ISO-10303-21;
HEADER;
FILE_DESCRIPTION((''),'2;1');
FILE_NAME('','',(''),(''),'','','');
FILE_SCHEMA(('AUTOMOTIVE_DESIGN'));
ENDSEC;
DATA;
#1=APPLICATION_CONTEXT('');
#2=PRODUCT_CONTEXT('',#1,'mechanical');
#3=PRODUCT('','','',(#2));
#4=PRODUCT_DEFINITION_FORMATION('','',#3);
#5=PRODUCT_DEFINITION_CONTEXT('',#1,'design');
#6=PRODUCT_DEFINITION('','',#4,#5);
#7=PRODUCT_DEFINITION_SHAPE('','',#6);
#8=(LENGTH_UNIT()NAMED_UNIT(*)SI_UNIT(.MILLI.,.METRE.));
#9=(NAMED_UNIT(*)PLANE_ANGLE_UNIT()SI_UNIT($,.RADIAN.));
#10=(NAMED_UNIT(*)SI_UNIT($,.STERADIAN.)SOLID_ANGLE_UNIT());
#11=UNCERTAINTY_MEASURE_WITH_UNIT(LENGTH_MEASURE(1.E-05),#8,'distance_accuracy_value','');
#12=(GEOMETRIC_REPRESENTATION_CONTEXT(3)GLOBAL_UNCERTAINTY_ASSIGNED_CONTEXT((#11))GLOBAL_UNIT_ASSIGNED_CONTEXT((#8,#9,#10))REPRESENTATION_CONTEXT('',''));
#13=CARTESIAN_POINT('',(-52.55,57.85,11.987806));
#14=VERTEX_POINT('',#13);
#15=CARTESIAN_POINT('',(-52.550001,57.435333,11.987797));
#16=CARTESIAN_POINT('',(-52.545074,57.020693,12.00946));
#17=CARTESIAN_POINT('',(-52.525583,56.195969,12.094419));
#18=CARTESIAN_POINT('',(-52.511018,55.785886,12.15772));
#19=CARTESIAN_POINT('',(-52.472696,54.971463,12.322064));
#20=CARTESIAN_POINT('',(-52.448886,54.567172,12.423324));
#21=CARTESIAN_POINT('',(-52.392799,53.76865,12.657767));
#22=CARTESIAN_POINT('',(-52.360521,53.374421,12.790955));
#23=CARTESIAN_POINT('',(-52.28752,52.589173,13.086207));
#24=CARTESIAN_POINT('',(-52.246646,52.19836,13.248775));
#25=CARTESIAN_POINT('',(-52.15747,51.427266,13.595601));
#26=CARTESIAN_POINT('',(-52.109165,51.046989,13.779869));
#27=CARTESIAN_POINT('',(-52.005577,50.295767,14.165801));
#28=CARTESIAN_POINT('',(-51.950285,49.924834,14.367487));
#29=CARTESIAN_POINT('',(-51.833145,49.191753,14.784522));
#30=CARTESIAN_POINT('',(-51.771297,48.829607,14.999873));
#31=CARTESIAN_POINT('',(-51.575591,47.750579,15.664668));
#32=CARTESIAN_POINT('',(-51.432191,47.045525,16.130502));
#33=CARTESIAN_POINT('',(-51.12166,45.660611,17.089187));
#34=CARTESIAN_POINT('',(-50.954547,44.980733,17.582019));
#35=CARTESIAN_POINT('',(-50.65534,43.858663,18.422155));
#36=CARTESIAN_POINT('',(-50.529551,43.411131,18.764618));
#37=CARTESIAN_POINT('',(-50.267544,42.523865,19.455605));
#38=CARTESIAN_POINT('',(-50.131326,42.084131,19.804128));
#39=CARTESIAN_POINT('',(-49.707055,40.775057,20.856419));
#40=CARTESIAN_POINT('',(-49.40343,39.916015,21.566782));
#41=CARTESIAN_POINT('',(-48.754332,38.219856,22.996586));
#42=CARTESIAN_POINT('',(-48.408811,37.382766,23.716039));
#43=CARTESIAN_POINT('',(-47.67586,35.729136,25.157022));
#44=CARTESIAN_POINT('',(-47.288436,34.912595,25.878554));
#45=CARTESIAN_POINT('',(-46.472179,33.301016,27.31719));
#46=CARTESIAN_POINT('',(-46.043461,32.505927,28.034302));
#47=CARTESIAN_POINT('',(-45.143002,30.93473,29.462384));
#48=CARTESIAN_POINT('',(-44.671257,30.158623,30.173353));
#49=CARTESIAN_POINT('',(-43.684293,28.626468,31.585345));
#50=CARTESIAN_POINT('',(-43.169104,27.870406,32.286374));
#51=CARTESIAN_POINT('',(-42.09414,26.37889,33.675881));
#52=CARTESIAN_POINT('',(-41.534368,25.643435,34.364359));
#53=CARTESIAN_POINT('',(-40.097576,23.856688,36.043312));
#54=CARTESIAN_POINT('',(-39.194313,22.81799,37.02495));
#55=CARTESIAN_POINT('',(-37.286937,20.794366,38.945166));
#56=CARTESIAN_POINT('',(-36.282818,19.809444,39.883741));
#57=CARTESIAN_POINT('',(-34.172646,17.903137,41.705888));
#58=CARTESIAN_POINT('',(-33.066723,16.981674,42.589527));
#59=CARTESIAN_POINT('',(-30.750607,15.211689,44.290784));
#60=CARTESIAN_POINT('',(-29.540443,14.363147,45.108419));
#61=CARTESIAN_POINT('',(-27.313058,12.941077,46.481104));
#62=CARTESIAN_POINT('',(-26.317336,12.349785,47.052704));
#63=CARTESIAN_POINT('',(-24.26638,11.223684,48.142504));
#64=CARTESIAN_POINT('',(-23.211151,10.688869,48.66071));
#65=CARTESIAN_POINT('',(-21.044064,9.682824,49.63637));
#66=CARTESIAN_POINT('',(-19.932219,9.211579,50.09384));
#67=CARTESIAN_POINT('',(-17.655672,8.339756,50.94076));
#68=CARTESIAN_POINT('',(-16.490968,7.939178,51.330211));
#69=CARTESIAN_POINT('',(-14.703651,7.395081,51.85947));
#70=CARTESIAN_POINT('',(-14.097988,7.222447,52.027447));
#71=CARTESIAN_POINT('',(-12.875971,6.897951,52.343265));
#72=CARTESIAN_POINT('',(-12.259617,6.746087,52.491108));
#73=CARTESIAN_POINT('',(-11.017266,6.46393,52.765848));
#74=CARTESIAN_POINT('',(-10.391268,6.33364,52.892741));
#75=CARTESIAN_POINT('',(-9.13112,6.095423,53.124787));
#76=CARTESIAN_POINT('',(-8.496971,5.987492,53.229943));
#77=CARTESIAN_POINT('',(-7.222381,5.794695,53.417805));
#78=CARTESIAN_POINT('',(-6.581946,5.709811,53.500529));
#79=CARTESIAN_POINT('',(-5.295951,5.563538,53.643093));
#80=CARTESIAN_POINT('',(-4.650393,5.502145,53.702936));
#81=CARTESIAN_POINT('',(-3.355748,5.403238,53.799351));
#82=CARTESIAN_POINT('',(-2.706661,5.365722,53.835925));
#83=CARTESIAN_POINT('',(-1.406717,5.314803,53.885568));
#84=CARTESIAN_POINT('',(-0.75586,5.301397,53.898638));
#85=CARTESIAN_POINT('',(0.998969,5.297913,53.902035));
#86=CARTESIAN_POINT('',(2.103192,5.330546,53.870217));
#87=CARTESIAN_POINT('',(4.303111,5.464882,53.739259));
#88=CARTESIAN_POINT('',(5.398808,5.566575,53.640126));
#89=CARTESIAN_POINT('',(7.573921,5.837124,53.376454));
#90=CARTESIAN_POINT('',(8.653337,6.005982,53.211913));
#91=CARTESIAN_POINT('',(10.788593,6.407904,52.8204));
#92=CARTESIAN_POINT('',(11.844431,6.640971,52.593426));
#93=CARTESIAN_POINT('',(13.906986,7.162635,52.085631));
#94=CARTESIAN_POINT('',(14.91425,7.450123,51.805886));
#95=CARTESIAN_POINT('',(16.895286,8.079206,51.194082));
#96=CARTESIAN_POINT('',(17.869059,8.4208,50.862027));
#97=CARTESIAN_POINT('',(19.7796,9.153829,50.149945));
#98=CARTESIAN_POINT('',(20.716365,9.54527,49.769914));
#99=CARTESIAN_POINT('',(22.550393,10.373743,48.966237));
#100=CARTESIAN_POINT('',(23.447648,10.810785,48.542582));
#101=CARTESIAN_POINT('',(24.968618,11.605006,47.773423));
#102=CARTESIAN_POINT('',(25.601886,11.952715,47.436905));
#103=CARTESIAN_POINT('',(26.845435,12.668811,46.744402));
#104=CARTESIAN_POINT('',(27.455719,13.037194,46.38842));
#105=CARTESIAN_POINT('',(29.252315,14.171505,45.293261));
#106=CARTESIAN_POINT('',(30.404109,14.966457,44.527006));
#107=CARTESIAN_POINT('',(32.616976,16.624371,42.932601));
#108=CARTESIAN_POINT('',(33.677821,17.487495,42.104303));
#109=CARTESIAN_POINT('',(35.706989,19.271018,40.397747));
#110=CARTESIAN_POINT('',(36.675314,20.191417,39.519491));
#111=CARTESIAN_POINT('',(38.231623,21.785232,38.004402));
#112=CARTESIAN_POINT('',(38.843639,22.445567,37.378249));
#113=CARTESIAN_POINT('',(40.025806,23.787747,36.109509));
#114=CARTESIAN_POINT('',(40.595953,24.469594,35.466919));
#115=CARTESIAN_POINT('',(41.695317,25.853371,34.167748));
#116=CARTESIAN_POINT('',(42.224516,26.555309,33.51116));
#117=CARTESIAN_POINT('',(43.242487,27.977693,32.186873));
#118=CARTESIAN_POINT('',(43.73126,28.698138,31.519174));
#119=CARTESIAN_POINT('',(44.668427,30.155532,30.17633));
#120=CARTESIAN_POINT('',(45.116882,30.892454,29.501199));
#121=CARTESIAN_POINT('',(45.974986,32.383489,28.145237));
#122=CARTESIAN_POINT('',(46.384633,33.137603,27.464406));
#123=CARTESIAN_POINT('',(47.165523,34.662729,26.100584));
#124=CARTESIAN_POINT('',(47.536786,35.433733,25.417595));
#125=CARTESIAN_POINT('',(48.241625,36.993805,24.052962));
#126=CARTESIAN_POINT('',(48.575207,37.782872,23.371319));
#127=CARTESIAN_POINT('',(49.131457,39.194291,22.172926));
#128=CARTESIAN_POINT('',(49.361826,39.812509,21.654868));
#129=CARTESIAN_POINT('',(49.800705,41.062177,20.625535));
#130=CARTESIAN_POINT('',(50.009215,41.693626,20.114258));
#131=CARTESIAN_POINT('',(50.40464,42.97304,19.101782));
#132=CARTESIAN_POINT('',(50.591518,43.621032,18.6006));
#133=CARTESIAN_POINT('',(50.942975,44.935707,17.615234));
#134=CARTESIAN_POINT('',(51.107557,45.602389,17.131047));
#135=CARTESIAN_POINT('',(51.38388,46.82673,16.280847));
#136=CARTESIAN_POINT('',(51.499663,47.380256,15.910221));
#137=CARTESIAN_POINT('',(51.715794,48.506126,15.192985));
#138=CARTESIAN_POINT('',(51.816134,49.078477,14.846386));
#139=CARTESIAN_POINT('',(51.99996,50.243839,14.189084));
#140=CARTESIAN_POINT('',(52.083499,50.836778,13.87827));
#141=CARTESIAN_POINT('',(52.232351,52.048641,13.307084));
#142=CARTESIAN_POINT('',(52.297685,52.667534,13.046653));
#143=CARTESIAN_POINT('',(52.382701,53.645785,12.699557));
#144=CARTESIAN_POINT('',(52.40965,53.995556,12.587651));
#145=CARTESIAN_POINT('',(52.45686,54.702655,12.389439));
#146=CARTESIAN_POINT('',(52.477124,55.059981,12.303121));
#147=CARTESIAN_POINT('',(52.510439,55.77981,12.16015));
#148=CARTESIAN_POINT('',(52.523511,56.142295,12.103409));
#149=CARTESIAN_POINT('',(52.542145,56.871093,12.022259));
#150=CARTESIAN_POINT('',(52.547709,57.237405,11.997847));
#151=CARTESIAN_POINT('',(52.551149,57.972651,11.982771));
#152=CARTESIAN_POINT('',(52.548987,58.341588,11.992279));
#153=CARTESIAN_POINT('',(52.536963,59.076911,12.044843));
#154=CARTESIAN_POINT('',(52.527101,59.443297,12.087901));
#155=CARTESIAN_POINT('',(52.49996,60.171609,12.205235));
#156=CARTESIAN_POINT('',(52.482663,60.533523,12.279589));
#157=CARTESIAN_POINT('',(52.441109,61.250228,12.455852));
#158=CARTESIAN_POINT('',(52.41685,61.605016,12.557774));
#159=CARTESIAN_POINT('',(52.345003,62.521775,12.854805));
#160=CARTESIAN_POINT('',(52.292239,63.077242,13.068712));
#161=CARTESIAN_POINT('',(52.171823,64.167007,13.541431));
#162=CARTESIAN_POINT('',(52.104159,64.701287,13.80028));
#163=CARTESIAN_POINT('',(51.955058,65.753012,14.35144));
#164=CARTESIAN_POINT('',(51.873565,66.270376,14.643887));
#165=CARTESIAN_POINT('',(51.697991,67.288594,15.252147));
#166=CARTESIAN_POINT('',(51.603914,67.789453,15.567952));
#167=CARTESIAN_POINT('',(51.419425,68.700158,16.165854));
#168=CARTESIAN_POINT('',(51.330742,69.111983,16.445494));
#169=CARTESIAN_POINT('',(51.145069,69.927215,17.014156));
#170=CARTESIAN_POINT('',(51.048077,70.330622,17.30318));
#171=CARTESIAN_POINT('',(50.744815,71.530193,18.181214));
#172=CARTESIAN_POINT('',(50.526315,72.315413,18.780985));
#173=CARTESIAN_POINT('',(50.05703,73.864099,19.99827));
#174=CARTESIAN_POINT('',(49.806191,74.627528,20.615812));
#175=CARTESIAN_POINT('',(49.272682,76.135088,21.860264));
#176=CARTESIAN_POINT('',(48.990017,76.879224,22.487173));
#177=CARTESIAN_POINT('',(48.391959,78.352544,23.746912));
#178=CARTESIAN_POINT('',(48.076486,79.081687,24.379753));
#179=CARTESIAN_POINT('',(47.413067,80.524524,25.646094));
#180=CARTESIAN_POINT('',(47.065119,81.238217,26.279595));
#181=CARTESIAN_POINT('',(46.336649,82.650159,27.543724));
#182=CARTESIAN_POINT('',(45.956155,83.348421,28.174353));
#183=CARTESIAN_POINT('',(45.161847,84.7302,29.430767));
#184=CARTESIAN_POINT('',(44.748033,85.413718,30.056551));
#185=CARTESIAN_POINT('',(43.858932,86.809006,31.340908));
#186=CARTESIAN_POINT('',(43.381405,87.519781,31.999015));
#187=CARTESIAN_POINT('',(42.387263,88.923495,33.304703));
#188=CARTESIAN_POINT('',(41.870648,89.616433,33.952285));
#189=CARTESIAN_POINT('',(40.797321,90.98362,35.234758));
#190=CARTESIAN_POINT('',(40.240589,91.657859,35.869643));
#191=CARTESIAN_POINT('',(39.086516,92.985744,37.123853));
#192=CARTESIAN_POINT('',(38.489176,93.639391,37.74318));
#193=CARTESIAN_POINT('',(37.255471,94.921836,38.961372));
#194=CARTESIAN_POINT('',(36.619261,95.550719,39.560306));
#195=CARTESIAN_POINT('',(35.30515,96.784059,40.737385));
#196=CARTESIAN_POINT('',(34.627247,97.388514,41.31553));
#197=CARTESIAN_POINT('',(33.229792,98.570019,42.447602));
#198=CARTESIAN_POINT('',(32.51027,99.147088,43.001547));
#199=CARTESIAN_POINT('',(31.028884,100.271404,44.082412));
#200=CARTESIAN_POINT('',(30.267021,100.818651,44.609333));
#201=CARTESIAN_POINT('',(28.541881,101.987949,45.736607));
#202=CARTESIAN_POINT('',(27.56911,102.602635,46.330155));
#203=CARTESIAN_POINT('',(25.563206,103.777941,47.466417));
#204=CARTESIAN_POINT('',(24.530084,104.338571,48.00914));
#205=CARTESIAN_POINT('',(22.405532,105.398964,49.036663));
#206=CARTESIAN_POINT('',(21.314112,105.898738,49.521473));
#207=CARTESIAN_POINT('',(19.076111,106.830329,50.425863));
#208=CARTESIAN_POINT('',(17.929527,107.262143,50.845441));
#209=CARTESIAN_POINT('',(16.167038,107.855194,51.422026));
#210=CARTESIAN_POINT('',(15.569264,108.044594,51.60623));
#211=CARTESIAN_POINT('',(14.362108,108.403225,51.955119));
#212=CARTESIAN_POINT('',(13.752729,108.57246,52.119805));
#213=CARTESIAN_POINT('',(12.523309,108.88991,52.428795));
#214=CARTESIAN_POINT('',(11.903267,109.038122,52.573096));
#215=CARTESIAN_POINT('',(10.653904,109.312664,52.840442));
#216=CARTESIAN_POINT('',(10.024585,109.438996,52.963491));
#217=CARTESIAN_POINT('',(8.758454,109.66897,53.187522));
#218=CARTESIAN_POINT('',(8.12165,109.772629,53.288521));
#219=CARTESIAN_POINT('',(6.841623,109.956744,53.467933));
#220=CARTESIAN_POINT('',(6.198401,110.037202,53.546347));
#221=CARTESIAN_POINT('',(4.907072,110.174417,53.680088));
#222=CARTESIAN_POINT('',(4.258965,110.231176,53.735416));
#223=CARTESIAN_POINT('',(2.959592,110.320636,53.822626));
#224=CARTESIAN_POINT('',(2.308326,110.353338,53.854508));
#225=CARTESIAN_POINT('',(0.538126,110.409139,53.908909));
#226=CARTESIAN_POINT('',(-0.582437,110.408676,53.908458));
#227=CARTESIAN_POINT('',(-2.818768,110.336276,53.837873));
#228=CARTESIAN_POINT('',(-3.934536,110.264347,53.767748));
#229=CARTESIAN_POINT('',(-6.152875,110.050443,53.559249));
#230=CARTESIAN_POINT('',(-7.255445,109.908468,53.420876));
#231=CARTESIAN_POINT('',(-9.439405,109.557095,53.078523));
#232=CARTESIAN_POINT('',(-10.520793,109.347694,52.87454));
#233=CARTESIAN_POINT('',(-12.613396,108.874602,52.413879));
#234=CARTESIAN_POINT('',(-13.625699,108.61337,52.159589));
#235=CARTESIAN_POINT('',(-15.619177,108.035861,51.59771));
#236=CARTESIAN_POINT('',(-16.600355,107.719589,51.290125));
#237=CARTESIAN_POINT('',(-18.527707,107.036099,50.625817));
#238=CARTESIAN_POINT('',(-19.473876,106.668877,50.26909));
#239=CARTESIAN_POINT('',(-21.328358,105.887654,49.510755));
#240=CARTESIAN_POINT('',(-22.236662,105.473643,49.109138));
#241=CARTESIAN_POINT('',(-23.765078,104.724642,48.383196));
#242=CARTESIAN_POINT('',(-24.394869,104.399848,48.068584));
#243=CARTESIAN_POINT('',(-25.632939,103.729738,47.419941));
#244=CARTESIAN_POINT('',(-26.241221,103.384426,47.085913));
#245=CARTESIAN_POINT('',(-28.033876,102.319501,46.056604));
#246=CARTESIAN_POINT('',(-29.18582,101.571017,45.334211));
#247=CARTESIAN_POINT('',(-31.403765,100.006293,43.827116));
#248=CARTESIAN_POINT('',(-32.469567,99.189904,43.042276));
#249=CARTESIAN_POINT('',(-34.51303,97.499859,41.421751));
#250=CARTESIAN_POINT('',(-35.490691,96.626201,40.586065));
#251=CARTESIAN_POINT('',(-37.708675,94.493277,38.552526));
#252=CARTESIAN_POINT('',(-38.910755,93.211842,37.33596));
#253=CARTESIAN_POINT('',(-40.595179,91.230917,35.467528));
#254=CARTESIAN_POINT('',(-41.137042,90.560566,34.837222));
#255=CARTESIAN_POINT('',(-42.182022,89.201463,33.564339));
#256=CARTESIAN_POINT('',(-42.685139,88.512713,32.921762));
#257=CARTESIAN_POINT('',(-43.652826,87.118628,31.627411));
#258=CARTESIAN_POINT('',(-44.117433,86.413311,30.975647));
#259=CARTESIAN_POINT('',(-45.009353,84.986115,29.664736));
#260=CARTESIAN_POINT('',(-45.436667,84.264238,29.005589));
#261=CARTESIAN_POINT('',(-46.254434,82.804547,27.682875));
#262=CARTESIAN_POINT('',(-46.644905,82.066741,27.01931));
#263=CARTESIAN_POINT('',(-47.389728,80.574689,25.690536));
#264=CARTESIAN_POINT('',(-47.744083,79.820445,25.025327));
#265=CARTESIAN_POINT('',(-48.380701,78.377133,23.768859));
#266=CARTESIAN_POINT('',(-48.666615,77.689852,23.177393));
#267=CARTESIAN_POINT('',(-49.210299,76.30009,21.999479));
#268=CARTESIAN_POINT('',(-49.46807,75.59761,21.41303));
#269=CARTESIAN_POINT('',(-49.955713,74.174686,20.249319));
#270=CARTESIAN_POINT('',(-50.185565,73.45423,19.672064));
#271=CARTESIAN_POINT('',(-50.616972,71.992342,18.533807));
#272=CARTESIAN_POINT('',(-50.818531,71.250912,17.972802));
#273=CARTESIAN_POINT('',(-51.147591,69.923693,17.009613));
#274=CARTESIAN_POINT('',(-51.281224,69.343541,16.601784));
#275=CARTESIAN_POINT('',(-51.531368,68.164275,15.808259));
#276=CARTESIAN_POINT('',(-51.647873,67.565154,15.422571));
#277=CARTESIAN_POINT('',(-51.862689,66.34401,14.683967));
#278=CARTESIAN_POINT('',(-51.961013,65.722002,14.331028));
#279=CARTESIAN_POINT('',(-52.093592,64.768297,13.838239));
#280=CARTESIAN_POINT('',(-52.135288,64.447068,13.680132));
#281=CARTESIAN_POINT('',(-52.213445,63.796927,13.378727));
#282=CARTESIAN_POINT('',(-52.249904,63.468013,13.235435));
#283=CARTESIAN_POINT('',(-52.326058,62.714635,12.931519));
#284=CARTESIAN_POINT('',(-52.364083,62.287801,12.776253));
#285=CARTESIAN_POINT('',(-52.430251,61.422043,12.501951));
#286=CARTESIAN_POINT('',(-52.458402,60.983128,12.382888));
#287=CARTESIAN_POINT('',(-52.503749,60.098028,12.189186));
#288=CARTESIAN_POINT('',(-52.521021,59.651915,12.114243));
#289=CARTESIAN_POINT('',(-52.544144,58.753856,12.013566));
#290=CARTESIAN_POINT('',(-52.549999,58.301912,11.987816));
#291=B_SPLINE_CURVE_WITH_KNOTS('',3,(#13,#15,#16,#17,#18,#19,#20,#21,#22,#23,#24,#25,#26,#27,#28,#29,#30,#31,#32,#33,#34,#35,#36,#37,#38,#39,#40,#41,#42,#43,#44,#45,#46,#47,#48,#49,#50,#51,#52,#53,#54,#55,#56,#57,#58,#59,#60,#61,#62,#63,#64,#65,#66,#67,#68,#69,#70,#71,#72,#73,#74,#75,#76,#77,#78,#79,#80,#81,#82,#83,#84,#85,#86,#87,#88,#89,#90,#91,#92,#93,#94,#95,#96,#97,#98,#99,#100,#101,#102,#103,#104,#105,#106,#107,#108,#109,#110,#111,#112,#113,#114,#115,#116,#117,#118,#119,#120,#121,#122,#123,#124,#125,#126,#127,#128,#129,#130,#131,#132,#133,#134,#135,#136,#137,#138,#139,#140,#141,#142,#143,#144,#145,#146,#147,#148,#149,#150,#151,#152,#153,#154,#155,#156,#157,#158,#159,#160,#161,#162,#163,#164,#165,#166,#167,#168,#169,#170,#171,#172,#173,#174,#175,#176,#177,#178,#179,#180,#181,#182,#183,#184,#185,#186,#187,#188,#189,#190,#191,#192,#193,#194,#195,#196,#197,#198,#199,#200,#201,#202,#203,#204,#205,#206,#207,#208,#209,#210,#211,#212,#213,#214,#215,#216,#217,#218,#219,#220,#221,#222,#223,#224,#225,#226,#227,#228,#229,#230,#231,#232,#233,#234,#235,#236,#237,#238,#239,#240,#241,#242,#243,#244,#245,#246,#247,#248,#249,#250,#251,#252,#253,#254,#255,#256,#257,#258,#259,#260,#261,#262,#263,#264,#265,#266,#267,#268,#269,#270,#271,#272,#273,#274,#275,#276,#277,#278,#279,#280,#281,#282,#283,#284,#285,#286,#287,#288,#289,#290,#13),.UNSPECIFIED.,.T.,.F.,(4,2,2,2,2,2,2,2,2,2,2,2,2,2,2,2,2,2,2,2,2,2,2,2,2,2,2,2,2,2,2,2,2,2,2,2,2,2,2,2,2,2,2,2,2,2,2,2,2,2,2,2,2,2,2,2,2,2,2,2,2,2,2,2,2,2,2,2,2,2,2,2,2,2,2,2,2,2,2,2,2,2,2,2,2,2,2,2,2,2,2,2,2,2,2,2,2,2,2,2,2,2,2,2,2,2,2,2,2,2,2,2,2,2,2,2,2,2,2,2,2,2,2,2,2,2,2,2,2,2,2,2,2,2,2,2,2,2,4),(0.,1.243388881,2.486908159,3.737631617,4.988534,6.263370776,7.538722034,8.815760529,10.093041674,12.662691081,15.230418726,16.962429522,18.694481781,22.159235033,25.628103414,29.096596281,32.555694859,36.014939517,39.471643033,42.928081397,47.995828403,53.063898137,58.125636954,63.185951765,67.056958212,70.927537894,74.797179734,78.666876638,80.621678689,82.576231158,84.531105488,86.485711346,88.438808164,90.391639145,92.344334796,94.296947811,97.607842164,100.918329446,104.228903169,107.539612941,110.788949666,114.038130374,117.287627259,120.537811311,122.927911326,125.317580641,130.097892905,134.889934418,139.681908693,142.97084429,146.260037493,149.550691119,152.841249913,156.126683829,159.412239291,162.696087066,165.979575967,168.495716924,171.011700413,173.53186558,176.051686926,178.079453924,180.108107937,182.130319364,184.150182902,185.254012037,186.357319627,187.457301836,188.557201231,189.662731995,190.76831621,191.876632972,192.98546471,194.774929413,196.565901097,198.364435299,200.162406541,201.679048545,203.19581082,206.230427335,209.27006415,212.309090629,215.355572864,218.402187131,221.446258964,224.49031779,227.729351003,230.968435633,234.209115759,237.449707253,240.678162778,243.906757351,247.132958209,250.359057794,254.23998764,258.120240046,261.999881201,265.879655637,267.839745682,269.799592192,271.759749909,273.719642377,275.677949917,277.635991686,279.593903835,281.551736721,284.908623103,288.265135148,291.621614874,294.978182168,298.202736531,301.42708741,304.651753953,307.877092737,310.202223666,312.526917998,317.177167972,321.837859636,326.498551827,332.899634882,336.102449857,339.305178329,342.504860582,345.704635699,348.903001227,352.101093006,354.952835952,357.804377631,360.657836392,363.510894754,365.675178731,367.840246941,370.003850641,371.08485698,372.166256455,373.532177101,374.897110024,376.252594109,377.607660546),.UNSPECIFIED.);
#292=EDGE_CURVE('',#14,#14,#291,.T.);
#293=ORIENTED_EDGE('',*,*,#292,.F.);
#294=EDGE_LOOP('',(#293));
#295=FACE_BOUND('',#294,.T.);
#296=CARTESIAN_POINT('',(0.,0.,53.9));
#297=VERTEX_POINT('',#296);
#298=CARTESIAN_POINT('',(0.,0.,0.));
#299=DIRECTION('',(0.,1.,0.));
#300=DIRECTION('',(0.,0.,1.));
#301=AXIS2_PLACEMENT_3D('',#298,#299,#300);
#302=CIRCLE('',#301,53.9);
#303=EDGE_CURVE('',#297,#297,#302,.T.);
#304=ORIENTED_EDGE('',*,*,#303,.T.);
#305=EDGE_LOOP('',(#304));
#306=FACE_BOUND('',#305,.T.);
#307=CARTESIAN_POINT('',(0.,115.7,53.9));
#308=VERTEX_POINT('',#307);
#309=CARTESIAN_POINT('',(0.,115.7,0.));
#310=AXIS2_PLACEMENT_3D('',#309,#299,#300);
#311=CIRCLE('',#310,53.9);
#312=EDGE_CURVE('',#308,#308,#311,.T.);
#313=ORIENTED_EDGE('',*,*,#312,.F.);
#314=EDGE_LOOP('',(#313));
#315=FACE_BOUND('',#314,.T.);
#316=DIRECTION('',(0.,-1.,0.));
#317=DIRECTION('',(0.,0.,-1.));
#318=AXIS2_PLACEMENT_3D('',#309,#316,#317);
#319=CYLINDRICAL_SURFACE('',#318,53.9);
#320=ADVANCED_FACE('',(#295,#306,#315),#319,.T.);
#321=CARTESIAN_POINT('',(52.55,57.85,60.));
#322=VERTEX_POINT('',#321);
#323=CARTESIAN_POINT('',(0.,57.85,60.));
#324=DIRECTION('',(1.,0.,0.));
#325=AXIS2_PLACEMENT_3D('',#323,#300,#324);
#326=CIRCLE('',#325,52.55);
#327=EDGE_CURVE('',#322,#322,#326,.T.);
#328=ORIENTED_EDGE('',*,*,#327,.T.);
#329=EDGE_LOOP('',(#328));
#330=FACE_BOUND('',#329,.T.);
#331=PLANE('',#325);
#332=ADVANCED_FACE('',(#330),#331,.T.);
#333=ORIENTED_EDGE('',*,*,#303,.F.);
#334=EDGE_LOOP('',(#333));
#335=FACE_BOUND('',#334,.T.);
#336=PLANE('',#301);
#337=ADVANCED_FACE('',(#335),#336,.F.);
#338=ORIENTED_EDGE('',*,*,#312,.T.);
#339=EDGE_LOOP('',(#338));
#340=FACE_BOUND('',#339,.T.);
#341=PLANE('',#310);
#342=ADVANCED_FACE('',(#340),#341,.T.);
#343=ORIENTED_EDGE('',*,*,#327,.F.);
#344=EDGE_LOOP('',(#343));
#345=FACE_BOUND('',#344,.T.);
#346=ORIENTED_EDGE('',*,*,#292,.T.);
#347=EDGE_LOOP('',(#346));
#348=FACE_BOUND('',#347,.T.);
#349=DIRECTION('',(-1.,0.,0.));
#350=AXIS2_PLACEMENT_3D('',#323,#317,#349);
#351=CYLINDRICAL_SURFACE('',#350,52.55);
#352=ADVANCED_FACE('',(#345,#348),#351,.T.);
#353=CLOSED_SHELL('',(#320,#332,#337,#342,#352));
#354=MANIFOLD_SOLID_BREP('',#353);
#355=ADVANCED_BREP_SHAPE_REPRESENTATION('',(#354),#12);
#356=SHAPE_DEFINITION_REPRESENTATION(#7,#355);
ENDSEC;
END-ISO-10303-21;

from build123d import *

# Parameters (mm, degrees)
SKETCH1_R           = 53.9
BOSS_EXTRUDE1_DEPTH = 115.7
SKETCH2_R           = 52.55
BOSS_EXTRUDE2_DEPTH = 60


with BuildPart() as part:
    # Sketch1 → Boss-Extrude1 (new body)
    with BuildSketch(Plane(origin=(0, 0, 0), x_dir=(1, 0, 0), z_dir=(0, 1, 0))):
        with Locations(Location((0, 0, 0), (0, 0, 270))):
            Circle(SKETCH1_R)
    extrude(amount=BOSS_EXTRUDE1_DEPTH)

    # Sketch2 → Boss-Extrude2 (add)
    with BuildSketch(Plane.XY):
        with Locations(Location((0, 57.85, 0), (0, 0, 180))):
            Circle(SKETCH2_R)
    extrude(amount=BOSS_EXTRUDE2_DEPTH)


solid = part.part
